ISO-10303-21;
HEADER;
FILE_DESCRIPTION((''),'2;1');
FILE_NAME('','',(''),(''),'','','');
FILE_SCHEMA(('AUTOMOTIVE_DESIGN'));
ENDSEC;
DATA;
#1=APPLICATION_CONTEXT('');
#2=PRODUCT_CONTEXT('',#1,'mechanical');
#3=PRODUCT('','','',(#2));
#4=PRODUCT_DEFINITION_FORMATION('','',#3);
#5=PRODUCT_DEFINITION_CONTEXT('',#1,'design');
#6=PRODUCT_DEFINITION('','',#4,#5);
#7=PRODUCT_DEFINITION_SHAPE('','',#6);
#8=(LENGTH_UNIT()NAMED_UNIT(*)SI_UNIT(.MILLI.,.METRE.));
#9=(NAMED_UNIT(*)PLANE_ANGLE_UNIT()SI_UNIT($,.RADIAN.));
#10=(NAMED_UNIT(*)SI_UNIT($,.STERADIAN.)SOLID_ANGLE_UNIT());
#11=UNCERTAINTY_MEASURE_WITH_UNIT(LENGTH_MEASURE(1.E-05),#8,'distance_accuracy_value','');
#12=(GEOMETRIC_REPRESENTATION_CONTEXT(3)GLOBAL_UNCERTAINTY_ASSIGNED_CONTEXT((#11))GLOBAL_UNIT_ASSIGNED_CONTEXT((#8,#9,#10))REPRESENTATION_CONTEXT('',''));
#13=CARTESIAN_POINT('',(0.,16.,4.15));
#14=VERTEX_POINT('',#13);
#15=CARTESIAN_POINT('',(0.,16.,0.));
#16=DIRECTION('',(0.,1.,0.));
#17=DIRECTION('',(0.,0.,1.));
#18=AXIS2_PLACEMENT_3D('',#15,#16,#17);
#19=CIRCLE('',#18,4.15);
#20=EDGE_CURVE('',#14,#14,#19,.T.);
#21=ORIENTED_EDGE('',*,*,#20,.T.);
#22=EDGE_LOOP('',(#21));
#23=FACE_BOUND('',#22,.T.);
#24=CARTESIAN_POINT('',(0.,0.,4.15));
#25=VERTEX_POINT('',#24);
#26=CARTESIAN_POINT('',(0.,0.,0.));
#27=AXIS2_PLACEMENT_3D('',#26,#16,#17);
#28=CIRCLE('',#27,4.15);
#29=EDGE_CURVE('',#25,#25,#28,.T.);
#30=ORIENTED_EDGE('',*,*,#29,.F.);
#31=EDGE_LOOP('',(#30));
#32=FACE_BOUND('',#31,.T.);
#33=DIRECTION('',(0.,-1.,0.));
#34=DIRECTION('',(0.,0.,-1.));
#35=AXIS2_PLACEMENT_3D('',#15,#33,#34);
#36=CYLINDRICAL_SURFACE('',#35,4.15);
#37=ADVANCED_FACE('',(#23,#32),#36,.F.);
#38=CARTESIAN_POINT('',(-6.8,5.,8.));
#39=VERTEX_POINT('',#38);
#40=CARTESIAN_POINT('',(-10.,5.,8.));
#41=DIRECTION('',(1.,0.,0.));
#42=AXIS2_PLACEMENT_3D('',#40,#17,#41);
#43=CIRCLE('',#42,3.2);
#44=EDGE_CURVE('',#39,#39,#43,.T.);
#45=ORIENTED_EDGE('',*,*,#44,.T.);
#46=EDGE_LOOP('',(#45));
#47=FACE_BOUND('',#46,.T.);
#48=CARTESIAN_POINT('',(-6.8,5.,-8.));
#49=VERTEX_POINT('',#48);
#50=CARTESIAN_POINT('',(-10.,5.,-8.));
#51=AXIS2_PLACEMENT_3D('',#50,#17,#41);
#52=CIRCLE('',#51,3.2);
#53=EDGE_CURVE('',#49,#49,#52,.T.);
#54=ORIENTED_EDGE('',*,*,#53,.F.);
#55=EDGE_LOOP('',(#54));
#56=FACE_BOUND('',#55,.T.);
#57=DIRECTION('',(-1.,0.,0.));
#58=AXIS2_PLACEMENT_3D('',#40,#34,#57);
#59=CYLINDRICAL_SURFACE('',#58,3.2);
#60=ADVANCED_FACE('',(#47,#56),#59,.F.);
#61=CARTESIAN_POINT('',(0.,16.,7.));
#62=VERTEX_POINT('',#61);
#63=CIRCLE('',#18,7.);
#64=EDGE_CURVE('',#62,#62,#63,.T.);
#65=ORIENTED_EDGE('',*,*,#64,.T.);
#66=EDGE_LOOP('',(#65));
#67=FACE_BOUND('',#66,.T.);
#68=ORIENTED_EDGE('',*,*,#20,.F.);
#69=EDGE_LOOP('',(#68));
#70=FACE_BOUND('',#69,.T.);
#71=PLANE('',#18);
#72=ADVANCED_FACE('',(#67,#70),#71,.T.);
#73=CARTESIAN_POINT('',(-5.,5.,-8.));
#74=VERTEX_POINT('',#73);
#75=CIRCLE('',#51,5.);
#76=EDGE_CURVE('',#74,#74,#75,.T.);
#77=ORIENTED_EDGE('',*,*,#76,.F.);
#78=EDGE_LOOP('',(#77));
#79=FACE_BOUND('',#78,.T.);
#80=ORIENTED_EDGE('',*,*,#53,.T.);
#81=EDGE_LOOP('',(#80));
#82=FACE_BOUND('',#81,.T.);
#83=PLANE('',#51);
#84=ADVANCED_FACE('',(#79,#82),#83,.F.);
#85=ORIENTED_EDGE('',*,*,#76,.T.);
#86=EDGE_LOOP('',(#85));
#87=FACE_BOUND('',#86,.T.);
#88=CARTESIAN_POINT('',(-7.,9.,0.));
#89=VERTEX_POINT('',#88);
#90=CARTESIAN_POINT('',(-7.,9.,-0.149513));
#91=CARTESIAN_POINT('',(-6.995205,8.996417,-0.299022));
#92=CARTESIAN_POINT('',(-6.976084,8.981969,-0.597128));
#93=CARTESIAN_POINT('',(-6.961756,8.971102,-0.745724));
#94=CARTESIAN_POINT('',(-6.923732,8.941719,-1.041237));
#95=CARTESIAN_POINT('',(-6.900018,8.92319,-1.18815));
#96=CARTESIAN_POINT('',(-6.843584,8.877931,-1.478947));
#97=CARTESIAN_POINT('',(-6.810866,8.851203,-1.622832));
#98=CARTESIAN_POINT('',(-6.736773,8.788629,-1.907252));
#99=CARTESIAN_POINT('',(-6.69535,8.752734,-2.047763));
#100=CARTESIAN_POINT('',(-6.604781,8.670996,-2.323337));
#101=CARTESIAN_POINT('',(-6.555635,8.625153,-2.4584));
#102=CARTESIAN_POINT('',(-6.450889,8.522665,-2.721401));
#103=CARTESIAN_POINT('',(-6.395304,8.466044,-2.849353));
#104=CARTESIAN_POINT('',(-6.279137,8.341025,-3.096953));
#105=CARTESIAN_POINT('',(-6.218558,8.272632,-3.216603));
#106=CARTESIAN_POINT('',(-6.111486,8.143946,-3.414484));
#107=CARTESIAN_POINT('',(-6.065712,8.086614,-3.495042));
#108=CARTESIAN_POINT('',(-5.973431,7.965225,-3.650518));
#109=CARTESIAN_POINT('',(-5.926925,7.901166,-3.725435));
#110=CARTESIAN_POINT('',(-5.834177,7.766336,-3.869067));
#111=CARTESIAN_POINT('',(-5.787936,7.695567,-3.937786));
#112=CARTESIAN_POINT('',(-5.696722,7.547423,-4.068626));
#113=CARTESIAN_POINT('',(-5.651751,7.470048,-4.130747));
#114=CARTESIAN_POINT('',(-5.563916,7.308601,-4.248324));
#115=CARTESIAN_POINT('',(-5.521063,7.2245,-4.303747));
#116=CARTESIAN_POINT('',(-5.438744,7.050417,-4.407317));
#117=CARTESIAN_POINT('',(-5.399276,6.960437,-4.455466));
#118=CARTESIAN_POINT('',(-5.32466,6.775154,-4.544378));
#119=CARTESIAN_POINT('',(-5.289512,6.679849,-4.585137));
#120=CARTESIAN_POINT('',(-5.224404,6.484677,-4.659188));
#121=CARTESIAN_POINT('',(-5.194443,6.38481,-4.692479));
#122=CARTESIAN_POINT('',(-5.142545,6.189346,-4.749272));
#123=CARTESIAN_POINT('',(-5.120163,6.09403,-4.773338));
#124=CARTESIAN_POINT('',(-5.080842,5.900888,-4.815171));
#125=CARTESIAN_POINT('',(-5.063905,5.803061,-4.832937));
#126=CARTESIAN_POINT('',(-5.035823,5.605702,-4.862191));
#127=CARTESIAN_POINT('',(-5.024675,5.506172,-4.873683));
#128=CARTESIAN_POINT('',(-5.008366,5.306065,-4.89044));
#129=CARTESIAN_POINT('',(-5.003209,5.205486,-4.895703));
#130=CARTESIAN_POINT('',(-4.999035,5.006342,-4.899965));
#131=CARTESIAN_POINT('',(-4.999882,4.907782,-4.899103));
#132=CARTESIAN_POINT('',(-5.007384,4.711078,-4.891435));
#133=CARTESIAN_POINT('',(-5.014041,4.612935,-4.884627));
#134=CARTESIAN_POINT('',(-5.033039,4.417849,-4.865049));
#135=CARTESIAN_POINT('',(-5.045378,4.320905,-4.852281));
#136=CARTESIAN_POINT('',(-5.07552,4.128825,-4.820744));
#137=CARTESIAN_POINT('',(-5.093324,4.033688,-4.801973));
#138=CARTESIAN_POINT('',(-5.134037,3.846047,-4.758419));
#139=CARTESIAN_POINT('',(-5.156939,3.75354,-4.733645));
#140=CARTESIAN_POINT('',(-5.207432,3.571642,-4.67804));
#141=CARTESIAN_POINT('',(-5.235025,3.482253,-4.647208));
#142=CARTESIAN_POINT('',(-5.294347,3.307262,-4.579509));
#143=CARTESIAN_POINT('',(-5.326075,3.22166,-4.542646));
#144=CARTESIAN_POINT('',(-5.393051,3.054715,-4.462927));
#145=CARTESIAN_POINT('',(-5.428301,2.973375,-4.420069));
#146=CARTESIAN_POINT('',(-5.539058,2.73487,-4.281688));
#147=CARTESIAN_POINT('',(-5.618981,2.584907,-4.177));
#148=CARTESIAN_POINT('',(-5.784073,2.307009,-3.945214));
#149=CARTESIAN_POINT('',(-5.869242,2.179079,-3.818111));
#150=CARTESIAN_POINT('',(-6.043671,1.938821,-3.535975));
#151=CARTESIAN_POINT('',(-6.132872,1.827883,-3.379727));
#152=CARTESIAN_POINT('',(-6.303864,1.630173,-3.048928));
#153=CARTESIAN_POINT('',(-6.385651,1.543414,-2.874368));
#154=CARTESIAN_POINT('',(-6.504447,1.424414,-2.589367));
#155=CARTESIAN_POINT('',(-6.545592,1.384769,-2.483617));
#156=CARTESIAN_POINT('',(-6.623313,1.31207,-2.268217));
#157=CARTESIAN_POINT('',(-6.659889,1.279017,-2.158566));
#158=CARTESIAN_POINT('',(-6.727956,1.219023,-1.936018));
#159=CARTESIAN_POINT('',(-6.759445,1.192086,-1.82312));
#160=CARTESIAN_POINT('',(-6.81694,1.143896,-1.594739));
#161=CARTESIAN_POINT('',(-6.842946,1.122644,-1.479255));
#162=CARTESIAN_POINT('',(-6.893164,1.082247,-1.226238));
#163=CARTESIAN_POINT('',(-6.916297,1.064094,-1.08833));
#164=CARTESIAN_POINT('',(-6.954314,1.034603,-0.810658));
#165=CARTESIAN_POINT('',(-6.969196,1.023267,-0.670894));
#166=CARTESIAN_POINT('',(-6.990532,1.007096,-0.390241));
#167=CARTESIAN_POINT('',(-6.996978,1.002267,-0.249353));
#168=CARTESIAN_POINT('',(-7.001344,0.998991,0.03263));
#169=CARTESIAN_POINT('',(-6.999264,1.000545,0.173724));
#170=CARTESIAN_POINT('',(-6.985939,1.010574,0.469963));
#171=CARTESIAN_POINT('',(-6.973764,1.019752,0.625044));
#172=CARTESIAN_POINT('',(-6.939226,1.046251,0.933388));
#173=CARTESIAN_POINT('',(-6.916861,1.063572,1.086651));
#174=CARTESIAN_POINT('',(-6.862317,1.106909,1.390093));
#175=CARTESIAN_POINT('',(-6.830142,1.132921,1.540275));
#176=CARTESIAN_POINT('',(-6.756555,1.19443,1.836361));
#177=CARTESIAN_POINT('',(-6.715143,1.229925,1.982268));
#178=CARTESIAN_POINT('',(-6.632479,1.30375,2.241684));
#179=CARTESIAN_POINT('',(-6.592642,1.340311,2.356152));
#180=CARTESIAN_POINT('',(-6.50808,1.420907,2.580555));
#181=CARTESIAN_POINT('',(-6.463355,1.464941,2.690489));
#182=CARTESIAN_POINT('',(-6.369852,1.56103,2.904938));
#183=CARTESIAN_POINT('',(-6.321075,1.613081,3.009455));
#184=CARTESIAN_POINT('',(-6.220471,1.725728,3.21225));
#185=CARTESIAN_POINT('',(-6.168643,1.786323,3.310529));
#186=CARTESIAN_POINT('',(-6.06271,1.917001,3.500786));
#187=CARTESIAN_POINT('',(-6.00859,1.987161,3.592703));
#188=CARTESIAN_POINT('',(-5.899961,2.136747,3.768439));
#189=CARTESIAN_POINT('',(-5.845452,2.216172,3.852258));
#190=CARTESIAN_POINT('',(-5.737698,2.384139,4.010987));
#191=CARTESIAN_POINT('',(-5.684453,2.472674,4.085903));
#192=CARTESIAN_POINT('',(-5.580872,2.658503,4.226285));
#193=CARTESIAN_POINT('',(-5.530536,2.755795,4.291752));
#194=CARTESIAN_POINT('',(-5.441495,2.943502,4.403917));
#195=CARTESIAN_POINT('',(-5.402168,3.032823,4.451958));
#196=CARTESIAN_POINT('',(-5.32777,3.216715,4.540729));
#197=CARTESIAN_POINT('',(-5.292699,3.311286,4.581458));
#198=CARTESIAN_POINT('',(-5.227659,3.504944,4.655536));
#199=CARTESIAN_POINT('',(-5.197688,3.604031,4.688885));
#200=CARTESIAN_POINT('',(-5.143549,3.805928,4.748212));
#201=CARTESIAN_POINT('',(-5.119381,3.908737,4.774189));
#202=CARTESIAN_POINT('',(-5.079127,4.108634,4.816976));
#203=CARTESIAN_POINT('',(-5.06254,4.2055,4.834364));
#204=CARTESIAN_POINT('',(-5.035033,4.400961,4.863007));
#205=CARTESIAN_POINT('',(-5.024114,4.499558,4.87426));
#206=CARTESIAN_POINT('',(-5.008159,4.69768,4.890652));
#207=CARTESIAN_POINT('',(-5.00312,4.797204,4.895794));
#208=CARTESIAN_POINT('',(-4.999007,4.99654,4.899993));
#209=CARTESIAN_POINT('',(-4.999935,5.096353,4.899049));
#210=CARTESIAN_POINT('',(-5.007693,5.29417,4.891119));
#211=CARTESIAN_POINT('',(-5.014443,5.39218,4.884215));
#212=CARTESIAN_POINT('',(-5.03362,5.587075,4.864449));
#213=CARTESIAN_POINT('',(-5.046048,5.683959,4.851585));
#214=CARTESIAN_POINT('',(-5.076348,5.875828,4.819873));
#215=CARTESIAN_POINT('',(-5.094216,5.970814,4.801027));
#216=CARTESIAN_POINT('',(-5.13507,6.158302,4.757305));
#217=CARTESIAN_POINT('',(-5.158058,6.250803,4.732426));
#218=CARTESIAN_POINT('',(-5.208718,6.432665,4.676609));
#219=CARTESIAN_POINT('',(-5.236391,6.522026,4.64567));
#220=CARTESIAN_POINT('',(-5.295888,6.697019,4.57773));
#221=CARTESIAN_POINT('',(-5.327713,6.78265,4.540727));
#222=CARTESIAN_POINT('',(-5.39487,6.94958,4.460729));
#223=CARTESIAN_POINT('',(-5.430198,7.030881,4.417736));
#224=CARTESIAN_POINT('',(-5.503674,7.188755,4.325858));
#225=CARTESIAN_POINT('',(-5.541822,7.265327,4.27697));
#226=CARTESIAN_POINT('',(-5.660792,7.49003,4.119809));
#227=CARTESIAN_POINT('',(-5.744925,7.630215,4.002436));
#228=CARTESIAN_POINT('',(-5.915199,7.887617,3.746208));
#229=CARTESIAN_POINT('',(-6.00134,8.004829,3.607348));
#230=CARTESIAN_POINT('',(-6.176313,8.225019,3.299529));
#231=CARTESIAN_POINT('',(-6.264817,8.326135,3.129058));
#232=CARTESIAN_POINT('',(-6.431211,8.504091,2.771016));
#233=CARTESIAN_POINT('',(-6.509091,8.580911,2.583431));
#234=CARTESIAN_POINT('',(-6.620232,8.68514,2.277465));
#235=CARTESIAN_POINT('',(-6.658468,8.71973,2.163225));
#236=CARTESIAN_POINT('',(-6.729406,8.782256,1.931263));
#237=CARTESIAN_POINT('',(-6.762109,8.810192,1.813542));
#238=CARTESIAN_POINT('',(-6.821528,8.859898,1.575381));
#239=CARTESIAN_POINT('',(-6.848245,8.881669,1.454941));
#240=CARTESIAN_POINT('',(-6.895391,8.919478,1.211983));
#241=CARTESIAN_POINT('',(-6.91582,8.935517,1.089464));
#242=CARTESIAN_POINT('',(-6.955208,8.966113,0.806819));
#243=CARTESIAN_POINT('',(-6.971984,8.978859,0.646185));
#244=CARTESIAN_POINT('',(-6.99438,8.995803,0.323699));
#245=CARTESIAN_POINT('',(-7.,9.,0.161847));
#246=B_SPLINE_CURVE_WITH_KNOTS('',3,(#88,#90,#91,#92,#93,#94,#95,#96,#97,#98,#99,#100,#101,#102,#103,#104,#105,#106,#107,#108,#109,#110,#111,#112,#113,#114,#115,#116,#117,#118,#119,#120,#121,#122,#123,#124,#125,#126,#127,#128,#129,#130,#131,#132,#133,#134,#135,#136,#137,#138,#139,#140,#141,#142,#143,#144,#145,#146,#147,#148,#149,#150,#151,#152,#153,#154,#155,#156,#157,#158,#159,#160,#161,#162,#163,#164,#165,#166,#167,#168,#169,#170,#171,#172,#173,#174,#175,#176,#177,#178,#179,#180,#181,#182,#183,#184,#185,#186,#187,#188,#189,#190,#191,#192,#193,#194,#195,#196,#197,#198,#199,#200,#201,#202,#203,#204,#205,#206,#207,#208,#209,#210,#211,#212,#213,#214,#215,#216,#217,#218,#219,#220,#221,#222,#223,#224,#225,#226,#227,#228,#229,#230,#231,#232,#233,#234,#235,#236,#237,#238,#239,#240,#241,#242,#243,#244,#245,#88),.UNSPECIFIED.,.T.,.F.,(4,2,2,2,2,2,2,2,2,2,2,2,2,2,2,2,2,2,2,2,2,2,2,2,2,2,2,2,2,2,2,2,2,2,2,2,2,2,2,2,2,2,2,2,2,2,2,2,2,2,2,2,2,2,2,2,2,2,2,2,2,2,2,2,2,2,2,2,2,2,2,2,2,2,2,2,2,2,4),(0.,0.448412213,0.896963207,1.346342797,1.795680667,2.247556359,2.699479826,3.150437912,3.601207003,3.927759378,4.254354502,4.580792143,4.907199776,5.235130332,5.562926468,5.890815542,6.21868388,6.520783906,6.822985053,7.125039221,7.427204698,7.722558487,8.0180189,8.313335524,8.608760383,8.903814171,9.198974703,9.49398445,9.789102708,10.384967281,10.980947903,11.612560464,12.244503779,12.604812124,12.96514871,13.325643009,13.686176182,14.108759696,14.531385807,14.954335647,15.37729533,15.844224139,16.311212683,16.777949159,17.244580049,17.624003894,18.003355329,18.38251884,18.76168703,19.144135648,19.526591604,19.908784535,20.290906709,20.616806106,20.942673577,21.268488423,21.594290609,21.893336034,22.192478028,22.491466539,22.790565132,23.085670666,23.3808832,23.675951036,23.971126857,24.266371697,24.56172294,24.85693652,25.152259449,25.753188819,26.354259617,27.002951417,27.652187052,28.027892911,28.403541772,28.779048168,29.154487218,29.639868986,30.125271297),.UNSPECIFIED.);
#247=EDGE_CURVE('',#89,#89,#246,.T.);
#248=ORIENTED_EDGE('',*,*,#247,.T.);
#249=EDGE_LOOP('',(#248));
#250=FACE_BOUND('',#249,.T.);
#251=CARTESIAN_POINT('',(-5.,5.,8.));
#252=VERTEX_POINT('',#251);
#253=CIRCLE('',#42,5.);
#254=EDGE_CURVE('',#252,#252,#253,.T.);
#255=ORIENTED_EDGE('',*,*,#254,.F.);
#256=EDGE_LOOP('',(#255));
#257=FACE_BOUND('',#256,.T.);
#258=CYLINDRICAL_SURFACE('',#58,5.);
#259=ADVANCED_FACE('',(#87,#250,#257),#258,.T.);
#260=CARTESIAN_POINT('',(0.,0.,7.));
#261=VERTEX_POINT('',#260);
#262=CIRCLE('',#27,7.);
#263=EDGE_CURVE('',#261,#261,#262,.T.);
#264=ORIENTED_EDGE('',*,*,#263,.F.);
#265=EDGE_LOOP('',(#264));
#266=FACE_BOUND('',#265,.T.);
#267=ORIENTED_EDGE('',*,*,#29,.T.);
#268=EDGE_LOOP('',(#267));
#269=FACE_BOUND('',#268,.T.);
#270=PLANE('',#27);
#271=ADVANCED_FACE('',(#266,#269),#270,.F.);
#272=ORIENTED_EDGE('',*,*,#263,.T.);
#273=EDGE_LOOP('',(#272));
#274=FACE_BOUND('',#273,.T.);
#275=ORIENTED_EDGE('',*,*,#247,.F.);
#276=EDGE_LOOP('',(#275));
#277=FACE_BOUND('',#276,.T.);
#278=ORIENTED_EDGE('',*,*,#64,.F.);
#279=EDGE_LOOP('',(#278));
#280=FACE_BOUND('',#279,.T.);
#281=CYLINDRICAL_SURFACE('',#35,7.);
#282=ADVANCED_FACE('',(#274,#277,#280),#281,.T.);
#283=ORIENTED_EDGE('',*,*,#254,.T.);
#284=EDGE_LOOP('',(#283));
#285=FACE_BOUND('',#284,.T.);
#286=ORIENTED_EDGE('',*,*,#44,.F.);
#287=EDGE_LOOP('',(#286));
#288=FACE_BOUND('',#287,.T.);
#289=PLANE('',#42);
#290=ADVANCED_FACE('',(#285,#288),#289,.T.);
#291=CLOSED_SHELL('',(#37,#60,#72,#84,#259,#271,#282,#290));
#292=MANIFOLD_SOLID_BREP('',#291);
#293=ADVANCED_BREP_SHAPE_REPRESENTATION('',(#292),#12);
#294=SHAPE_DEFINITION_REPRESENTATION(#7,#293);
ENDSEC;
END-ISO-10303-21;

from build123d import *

# Parameters (mm, degrees)
SKETCH3_R               = 7
SKETCH3_R_2             = 4.15
BOSS_EXTRUDE1_DEPTH     = 16
SKETCH4_R               = 5
SKETCH4_R_2             = 3.2
BOSS_EXTRUDE2_DEPTH     = 8
CUT_EXTRUDE1_DEPTH      = 24.345235227
CUT_EXTRUDE1_DEPTH_BACK = 24.345235227
SKETCH4_2_R             = 3.2


with BuildPart() as part:
    # Sketch3 → Boss-Extrude1 (new body)
    with BuildSketch(Plane(origin=(0, 0, 0), x_dir=(1, 0, 0), z_dir=(0, 1, 0))):
        Circle(SKETCH3_R)
        Circle(SKETCH3_R_2, mode=Mode.SUBTRACT)
    extrude(amount=BOSS_EXTRUDE1_DEPTH)

    # Sketch4 → Boss-Extrude2 (add, symmetric)
    with BuildSketch(Plane.XY):
        with Locations((-10, 5)):
            Circle(SKETCH4_R)
        with Locations((-10, 5)):
            Circle(SKETCH4_R_2, mode=Mode.SUBTRACT)
    extrude(amount=BOSS_EXTRUDE2_DEPTH, both=True)

    # Sketch4<2> → Cut-Extrude1 (cut, two sides: drawn at the far end of the back side and taken through both)
    with BuildSketch(Plane.XY.offset(-CUT_EXTRUDE1_DEPTH_BACK)):
        with Locations((-10, 5)):
            Circle(SKETCH4_2_R)
    extrude(amount=CUT_EXTRUDE1_DEPTH + CUT_EXTRUDE1_DEPTH_BACK, mode=Mode.SUBTRACT)


solid = part.part
